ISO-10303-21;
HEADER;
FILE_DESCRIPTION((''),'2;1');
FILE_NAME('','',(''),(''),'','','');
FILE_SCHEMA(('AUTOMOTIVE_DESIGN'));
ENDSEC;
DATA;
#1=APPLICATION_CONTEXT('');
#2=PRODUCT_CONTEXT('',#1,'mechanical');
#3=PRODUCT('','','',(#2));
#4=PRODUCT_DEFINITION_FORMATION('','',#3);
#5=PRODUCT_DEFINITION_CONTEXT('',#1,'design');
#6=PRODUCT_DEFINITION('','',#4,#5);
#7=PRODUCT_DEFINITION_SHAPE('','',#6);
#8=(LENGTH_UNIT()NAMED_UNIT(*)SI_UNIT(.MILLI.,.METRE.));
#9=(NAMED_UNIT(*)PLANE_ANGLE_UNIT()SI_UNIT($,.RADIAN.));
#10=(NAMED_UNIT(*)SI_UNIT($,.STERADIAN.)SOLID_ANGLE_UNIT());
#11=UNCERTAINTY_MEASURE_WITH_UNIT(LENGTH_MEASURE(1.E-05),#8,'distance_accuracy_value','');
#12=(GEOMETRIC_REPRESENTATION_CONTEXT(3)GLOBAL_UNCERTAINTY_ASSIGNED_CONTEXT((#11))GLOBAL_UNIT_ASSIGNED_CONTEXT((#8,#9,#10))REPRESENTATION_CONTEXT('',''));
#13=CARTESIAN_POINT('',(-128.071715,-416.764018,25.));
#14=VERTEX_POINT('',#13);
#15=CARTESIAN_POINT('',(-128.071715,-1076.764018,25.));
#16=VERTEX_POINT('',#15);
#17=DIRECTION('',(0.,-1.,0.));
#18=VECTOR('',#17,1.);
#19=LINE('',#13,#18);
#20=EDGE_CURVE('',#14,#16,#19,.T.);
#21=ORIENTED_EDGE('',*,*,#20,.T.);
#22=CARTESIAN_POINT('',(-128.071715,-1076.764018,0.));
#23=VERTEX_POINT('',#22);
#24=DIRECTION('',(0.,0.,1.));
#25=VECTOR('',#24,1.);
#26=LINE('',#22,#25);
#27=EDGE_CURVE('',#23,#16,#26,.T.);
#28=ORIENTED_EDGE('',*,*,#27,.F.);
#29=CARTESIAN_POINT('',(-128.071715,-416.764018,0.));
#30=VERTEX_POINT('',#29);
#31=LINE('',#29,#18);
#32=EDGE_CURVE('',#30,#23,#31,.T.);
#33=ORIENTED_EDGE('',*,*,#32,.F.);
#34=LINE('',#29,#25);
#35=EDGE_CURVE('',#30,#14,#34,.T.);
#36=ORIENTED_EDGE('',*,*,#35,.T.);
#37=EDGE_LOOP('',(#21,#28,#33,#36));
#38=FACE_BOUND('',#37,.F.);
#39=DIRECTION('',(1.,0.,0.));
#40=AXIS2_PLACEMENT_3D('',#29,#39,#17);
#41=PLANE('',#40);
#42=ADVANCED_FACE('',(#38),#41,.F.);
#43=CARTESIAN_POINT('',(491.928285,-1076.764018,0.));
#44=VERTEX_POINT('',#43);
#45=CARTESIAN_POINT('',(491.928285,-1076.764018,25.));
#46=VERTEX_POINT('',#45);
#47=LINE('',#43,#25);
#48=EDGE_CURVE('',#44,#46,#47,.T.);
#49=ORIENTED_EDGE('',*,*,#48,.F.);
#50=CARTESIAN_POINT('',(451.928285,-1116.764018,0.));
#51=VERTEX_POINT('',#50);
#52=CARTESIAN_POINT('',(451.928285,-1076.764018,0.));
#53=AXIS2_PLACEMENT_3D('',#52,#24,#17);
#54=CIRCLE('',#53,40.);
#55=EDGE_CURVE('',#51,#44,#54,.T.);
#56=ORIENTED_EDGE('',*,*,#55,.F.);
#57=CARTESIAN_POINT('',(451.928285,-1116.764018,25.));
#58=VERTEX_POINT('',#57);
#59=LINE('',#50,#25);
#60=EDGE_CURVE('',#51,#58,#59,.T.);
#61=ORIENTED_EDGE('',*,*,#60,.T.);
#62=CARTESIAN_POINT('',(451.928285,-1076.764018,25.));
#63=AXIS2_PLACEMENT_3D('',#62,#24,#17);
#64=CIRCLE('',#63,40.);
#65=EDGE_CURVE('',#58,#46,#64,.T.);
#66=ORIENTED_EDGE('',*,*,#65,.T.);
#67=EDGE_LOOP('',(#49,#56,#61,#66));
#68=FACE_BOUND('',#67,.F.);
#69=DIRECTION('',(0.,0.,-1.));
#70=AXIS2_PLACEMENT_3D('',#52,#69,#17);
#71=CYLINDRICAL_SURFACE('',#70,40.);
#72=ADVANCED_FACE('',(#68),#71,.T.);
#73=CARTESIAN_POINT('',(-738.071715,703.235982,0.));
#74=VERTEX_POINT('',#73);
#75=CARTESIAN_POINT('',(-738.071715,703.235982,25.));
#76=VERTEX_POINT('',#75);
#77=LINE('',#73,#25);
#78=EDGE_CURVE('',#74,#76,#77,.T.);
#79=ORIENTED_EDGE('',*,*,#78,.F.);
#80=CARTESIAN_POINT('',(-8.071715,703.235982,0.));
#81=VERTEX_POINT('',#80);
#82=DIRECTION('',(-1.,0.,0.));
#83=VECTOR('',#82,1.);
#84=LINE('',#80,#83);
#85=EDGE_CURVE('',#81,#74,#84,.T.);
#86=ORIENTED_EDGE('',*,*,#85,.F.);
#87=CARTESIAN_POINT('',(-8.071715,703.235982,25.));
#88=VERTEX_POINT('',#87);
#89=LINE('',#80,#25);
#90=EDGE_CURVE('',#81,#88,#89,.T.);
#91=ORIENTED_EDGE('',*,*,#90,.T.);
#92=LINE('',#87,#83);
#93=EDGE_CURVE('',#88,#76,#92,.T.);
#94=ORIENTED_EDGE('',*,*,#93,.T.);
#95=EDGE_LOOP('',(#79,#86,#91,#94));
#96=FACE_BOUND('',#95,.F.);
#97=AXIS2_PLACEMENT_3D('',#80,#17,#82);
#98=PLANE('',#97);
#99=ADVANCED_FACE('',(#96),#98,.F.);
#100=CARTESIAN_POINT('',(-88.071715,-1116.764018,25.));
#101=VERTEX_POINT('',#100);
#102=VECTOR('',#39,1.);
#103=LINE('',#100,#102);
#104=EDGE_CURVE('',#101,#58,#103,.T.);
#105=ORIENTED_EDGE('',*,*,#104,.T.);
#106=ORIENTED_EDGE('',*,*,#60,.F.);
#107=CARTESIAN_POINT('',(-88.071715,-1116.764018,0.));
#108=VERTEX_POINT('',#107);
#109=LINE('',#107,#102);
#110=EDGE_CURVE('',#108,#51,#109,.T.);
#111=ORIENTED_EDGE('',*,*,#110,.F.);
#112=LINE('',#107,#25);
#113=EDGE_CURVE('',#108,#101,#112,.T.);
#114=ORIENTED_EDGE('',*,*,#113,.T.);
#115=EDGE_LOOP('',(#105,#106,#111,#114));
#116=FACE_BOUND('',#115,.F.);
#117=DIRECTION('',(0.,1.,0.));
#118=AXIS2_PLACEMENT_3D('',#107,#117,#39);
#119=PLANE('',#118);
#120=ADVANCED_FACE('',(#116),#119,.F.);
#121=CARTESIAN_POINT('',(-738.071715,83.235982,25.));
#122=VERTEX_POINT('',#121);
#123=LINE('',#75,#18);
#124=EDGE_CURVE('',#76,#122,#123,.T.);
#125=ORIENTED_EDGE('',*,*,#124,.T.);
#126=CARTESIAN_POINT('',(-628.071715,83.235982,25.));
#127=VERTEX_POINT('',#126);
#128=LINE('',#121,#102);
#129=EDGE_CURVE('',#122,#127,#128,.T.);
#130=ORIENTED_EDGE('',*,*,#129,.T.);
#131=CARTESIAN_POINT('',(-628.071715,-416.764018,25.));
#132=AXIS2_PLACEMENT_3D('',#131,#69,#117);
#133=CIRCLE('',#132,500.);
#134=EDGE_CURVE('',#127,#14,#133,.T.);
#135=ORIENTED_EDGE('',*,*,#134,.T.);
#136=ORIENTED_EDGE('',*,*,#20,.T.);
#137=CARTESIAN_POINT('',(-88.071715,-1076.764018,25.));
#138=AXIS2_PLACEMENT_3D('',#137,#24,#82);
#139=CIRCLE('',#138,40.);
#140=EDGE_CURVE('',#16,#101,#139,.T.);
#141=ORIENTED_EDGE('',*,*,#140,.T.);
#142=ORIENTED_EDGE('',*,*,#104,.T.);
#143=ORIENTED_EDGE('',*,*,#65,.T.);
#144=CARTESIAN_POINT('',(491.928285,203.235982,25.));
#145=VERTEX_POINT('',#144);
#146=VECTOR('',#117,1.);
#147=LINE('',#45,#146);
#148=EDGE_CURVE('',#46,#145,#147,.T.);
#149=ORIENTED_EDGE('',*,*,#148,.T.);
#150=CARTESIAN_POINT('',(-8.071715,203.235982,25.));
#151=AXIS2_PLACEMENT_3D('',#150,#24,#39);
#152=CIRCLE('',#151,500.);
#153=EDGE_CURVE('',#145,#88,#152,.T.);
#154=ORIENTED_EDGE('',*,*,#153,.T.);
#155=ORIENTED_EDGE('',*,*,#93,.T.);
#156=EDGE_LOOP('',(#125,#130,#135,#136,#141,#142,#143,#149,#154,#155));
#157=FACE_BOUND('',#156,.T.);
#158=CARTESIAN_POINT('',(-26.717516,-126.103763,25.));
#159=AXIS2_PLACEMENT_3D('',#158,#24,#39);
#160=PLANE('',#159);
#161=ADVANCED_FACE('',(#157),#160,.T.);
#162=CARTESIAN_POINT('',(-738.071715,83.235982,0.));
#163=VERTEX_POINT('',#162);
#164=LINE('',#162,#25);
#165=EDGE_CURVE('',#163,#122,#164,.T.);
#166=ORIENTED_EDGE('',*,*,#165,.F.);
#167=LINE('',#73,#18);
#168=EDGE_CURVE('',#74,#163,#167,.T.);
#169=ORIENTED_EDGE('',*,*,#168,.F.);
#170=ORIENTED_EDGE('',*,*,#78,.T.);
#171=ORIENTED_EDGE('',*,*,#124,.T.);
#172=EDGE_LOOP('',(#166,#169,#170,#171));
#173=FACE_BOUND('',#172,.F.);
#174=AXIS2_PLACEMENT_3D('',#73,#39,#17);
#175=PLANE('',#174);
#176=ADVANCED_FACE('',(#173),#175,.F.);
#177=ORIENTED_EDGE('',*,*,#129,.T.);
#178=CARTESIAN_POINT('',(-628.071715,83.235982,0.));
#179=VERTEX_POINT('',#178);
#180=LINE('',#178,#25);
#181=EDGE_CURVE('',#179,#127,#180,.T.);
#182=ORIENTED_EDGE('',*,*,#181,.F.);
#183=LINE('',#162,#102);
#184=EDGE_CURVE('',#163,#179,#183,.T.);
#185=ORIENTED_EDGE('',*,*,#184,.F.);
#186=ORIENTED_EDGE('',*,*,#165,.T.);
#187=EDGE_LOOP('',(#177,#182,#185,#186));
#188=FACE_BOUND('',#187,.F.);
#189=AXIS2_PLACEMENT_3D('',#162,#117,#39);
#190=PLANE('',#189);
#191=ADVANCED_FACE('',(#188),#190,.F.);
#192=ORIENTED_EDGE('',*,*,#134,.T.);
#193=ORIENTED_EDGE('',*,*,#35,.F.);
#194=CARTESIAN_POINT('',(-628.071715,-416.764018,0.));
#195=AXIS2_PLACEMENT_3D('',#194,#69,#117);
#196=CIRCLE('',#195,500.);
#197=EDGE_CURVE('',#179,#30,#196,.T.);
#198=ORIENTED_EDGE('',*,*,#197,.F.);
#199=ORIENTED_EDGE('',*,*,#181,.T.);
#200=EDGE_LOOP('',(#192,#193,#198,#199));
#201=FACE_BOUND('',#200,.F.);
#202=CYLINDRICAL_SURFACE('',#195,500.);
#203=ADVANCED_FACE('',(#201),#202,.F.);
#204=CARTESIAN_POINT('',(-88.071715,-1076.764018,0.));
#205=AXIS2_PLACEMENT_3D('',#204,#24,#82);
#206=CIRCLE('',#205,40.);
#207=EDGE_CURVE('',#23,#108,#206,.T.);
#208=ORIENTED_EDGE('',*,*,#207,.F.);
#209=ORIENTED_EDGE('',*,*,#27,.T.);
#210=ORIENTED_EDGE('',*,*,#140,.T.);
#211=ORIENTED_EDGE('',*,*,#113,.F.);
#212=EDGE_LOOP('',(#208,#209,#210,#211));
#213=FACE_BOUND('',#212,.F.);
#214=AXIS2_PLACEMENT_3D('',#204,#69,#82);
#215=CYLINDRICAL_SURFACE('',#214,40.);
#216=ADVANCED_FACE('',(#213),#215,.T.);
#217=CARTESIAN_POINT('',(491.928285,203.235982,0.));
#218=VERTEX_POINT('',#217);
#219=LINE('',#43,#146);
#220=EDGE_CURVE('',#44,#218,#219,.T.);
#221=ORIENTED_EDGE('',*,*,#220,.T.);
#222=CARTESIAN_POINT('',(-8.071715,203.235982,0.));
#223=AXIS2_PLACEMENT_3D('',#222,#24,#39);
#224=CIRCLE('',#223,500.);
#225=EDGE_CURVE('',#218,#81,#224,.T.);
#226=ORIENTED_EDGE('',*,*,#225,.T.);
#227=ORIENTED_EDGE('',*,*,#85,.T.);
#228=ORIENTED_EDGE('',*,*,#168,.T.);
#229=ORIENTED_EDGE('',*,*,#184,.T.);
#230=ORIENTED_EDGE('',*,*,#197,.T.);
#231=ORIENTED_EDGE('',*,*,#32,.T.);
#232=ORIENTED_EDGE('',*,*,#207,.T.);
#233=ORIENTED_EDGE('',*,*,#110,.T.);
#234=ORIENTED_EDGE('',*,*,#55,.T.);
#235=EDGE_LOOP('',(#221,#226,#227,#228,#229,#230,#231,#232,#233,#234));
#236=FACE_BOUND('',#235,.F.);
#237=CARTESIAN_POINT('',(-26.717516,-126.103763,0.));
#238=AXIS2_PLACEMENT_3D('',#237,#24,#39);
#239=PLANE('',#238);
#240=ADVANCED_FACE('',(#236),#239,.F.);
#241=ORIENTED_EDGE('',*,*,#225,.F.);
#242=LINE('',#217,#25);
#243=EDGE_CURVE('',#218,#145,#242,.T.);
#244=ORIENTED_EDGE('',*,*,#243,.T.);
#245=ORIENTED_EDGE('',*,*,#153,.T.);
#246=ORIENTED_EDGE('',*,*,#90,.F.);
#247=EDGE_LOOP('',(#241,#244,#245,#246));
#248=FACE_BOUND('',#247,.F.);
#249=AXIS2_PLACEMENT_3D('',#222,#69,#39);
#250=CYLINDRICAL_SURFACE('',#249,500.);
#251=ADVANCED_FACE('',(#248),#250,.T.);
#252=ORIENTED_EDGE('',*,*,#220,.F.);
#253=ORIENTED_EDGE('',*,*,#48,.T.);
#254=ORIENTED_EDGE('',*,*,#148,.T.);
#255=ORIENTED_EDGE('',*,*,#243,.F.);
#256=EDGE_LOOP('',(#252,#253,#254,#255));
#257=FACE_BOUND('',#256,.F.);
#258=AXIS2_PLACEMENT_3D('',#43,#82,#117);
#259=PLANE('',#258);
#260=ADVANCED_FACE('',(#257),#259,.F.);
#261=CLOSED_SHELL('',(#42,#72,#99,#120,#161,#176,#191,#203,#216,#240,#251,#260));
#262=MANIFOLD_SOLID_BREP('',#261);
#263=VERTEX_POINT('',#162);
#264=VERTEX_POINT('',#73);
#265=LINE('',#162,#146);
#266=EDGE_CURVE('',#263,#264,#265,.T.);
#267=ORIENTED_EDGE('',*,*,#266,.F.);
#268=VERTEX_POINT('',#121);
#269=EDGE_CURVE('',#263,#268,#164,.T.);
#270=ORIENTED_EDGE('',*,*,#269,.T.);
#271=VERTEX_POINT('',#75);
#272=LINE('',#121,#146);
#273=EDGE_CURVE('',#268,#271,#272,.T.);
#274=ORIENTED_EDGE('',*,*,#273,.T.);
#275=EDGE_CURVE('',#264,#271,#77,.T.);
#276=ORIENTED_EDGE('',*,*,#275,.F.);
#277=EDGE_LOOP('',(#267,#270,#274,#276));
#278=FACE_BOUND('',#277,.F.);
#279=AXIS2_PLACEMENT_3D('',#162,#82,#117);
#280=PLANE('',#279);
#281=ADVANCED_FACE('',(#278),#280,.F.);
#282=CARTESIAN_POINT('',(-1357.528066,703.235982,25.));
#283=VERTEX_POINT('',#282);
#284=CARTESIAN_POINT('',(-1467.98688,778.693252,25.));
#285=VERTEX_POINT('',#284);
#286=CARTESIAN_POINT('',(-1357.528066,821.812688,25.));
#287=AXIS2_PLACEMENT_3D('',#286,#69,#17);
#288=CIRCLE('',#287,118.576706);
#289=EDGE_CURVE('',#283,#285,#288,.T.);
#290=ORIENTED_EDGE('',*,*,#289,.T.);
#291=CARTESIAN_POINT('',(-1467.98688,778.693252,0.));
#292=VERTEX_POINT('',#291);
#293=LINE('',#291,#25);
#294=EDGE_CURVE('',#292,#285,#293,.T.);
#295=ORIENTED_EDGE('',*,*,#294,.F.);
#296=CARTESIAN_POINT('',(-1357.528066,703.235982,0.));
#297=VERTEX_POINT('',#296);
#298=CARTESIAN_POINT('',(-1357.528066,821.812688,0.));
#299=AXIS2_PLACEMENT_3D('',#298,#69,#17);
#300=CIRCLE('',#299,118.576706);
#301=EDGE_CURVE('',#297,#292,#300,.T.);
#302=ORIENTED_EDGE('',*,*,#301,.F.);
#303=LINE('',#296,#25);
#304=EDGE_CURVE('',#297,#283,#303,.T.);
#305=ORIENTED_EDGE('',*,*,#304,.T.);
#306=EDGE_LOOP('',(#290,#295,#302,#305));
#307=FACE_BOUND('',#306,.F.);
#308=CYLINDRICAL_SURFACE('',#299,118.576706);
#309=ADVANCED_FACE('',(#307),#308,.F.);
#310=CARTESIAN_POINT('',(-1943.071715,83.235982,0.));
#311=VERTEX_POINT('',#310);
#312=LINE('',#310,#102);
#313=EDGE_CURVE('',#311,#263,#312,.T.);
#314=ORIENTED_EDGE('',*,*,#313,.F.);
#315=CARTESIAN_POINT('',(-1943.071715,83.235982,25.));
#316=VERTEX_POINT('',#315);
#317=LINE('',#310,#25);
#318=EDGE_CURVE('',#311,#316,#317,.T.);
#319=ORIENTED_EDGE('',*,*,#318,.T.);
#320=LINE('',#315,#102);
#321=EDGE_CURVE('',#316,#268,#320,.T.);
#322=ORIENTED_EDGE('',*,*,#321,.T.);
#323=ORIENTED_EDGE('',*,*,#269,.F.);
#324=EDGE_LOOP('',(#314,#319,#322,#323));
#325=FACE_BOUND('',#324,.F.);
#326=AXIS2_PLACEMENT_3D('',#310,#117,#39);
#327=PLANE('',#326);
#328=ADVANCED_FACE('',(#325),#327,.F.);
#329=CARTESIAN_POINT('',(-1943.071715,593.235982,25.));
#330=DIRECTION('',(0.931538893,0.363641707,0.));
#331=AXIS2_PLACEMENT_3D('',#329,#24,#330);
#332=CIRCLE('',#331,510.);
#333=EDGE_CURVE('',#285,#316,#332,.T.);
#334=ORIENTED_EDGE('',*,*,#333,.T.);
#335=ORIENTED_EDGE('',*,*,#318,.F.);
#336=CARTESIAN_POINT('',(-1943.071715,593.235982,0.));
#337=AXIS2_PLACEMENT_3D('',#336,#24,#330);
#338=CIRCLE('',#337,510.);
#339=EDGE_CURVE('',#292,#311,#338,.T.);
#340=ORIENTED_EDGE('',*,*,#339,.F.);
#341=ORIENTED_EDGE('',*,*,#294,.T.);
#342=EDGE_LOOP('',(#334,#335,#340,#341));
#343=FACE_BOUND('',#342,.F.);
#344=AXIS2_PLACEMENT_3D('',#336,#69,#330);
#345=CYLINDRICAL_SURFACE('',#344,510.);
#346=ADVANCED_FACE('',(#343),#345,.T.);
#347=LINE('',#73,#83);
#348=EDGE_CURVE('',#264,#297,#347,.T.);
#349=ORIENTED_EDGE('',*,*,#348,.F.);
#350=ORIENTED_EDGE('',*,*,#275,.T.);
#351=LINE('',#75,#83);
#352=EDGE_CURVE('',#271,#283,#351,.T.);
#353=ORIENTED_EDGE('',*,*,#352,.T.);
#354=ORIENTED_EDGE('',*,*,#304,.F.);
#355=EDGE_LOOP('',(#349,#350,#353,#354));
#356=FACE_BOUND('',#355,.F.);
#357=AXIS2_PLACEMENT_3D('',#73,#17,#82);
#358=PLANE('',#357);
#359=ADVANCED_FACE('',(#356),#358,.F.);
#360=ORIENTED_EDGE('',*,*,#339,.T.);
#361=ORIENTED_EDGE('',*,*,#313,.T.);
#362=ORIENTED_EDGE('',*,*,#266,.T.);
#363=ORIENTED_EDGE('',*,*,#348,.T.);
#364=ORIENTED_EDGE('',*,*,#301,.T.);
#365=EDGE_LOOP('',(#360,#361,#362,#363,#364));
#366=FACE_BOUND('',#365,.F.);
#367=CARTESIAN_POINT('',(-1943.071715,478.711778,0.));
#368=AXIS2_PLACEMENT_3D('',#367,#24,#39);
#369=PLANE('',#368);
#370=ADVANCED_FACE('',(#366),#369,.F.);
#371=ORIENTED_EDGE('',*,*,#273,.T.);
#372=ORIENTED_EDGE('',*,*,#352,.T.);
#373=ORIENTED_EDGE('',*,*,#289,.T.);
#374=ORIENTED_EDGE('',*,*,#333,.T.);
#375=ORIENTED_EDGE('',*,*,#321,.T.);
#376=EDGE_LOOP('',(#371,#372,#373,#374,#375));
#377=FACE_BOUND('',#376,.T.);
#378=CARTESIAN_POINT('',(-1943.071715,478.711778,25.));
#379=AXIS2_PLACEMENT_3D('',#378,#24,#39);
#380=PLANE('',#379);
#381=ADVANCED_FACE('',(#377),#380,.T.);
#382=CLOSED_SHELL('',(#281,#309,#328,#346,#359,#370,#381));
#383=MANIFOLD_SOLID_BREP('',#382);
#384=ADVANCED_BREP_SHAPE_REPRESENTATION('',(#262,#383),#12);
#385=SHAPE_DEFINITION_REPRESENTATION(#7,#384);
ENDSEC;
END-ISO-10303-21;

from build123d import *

# Parameters (mm, degrees)
F2_DEPTH = 25


with BuildPart() as f2:
    # F0 (on Top) → F2 (new body)
    with BuildSketch(Plane.XY):
        with BuildLine():
            ThreePointArc((-128.0717151949, -1076.7640182788), (-116.3559864424, -1105.0482895263), (-88.0717151949, -1116.7640182788))
            Line((-88.0717151949, -1116.7640182788), (451.9282848051, -1116.7640182788))
            ThreePointArc((451.9282848051, -1116.7640182788), (480.2125560525, -1105.0482895263), (491.9282848051, -1076.7640182788))
            Line((491.9282848051, -1076.7640182788), (491.9282848051, 203.2359817212))
            ThreePointArc((491.9282848051, 203.2359817212), (345.4816753983, 556.7893723144), (-8.0717151949, 703.2359817212))
            Line((-8.0717151949, 703.2359817212), (-738.0717151949, 703.2359817212))
            Line((-738.0717151949, 703.2359817212), (-738.0717151949, 83.2359817212))
            Line((-738.0717151949, 83.2359817212), (-628.0717151949, 83.2359817212))
            ThreePointArc((-628.0717151949, 83.2359817212), (-274.5183246017, -63.2106276856), (-128.0717151949, -416.7640182788))
            Line((-128.0717151949, -416.7640182788), (-128.0717151949, -1076.7640182788))
        make_face()
    extrude(amount=F2_DEPTH)


with BuildPart() as f2b:
    # F1 (on Top) → F2, piece 2 (new body)
    with BuildSketch(Plane.XY):
        with BuildLine():
            ThreePointArc((-2441.0676991145, 703.2359817212), (-2340.6896222364, 273.8615932677), (-1943.0717151949, 83.2359817212))
            ThreePointArc((-1943.0717151949, 83.2359817212), (-1582.4472567898, 232.611523316), (-1433.0717151949, 593.2359817212))
            ThreePointArc((-1433.0717151949, 593.2359817212), (-1436.081600992, 648.5625042986), (-1445.0757312754, 703.2359817212))
            Line((-1445.0757312754, 703.2359817212), (-2441.0676991145, 703.2359817212))
        make_face()
        with BuildLine():
            ThreePointArc((-1467.9868797851, 778.6932521735), (-1982.5011470643, 1101.7095010931), (-2441.0676991145, 703.2359817212))
            Line((-2441.0676991145, 703.2359817212), (-1445.0757312754, 703.2359817212))
            ThreePointArc((-1445.0757312754, 703.2359817212), (-1455.0706699576, 741.408110839), (-1467.9868797851, 778.6932521735))
        make_face()
        with BuildLine():
            Line((-1445.0757312754, 703.2359817212), (-1357.5280660465, 703.2359817212))
            ThreePointArc((-1357.5280660465, 703.2359817212), (-1424.4140683128, 723.9010034339), (-1467.9868797851, 778.6932521735))
            ThreePointArc((-1467.9868797851, 778.6932521735), (-1455.0706699576, 741.408110839), (-1445.0757312754, 703.2359817212))
        make_face()
        with BuildLine():
            Line((-1943.0717151949, 83.2359817212), (-738.0717151949, 83.2359817212))
            Line((-738.0717151949, 83.2359817212), (-738.0717151949, 703.2359817212))
            Line((-738.0717151949, 703.2359817212), (-1357.5280660465, 703.2359817212))
            Line((-1357.5280660465, 703.2359817212), (-1445.0757312754, 703.2359817212))
            ThreePointArc((-1445.0757312754, 703.2359817212), (-1436.081600992, 648.5625042986), (-1433.0717151949, 593.2359817212))
            ThreePointArc((-1433.0717151949, 593.2359817212), (-1582.4472567898, 232.611523316), (-1943.0717151949, 83.2359817212))
        make_face()
    extrude(amount=F2_DEPTH)


solid = Compound([f2.part, f2b.part])
